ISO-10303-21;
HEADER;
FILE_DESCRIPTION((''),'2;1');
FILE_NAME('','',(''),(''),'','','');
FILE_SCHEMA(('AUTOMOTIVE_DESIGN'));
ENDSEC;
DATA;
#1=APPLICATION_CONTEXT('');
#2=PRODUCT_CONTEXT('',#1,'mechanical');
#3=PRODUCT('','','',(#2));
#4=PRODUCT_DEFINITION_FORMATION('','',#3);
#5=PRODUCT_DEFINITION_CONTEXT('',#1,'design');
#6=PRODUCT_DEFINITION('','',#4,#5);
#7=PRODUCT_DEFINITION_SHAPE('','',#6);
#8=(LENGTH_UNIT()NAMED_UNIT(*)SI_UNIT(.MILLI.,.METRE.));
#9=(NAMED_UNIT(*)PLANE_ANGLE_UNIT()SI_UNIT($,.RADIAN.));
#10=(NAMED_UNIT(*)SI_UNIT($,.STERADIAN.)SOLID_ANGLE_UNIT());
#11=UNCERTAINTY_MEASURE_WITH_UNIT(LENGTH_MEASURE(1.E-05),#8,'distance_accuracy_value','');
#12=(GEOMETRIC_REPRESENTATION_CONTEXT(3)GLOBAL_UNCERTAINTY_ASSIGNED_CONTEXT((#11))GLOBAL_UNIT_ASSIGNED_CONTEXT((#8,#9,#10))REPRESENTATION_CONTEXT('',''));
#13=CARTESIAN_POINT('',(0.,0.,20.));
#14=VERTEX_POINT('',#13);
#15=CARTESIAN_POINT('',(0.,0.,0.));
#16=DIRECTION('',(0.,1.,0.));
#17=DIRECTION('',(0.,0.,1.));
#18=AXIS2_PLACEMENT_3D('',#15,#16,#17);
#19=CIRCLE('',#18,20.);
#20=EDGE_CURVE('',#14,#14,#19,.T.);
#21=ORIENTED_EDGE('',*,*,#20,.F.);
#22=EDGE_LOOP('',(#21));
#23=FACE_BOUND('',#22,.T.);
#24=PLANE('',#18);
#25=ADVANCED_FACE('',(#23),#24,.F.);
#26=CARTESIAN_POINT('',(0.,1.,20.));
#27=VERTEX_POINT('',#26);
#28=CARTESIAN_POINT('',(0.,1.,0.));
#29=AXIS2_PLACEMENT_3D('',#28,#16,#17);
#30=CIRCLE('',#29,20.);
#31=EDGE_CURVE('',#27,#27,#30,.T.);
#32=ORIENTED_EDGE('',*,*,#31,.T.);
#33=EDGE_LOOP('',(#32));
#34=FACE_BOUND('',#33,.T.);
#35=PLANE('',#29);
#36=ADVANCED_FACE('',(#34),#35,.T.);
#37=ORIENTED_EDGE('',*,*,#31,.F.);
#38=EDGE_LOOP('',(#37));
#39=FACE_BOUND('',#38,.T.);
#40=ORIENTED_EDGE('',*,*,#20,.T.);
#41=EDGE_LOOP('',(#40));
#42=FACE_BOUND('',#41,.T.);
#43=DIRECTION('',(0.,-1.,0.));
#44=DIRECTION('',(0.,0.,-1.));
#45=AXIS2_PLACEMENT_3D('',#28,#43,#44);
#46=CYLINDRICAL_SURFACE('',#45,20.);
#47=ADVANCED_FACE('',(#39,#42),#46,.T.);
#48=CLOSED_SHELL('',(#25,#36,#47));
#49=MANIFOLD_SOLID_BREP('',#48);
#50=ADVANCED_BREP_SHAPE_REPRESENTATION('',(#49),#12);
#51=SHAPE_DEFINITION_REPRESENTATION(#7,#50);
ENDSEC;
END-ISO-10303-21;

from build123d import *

# Parameters (mm, degrees)
ESQUISSE1_R        = 20
BOSS_EXTRU_1_DEPTH = 1


with BuildPart() as part:
    # Esquisse1 → Boss.-Extru.1 (new body)
    with BuildSketch(Plane(origin=(0, 0, 0), x_dir=(1, 0, 0), z_dir=(0, 1, 0))):
        Circle(ESQUISSE1_R)
    extrude(amount=BOSS_EXTRU_1_DEPTH)


solid = part.part
